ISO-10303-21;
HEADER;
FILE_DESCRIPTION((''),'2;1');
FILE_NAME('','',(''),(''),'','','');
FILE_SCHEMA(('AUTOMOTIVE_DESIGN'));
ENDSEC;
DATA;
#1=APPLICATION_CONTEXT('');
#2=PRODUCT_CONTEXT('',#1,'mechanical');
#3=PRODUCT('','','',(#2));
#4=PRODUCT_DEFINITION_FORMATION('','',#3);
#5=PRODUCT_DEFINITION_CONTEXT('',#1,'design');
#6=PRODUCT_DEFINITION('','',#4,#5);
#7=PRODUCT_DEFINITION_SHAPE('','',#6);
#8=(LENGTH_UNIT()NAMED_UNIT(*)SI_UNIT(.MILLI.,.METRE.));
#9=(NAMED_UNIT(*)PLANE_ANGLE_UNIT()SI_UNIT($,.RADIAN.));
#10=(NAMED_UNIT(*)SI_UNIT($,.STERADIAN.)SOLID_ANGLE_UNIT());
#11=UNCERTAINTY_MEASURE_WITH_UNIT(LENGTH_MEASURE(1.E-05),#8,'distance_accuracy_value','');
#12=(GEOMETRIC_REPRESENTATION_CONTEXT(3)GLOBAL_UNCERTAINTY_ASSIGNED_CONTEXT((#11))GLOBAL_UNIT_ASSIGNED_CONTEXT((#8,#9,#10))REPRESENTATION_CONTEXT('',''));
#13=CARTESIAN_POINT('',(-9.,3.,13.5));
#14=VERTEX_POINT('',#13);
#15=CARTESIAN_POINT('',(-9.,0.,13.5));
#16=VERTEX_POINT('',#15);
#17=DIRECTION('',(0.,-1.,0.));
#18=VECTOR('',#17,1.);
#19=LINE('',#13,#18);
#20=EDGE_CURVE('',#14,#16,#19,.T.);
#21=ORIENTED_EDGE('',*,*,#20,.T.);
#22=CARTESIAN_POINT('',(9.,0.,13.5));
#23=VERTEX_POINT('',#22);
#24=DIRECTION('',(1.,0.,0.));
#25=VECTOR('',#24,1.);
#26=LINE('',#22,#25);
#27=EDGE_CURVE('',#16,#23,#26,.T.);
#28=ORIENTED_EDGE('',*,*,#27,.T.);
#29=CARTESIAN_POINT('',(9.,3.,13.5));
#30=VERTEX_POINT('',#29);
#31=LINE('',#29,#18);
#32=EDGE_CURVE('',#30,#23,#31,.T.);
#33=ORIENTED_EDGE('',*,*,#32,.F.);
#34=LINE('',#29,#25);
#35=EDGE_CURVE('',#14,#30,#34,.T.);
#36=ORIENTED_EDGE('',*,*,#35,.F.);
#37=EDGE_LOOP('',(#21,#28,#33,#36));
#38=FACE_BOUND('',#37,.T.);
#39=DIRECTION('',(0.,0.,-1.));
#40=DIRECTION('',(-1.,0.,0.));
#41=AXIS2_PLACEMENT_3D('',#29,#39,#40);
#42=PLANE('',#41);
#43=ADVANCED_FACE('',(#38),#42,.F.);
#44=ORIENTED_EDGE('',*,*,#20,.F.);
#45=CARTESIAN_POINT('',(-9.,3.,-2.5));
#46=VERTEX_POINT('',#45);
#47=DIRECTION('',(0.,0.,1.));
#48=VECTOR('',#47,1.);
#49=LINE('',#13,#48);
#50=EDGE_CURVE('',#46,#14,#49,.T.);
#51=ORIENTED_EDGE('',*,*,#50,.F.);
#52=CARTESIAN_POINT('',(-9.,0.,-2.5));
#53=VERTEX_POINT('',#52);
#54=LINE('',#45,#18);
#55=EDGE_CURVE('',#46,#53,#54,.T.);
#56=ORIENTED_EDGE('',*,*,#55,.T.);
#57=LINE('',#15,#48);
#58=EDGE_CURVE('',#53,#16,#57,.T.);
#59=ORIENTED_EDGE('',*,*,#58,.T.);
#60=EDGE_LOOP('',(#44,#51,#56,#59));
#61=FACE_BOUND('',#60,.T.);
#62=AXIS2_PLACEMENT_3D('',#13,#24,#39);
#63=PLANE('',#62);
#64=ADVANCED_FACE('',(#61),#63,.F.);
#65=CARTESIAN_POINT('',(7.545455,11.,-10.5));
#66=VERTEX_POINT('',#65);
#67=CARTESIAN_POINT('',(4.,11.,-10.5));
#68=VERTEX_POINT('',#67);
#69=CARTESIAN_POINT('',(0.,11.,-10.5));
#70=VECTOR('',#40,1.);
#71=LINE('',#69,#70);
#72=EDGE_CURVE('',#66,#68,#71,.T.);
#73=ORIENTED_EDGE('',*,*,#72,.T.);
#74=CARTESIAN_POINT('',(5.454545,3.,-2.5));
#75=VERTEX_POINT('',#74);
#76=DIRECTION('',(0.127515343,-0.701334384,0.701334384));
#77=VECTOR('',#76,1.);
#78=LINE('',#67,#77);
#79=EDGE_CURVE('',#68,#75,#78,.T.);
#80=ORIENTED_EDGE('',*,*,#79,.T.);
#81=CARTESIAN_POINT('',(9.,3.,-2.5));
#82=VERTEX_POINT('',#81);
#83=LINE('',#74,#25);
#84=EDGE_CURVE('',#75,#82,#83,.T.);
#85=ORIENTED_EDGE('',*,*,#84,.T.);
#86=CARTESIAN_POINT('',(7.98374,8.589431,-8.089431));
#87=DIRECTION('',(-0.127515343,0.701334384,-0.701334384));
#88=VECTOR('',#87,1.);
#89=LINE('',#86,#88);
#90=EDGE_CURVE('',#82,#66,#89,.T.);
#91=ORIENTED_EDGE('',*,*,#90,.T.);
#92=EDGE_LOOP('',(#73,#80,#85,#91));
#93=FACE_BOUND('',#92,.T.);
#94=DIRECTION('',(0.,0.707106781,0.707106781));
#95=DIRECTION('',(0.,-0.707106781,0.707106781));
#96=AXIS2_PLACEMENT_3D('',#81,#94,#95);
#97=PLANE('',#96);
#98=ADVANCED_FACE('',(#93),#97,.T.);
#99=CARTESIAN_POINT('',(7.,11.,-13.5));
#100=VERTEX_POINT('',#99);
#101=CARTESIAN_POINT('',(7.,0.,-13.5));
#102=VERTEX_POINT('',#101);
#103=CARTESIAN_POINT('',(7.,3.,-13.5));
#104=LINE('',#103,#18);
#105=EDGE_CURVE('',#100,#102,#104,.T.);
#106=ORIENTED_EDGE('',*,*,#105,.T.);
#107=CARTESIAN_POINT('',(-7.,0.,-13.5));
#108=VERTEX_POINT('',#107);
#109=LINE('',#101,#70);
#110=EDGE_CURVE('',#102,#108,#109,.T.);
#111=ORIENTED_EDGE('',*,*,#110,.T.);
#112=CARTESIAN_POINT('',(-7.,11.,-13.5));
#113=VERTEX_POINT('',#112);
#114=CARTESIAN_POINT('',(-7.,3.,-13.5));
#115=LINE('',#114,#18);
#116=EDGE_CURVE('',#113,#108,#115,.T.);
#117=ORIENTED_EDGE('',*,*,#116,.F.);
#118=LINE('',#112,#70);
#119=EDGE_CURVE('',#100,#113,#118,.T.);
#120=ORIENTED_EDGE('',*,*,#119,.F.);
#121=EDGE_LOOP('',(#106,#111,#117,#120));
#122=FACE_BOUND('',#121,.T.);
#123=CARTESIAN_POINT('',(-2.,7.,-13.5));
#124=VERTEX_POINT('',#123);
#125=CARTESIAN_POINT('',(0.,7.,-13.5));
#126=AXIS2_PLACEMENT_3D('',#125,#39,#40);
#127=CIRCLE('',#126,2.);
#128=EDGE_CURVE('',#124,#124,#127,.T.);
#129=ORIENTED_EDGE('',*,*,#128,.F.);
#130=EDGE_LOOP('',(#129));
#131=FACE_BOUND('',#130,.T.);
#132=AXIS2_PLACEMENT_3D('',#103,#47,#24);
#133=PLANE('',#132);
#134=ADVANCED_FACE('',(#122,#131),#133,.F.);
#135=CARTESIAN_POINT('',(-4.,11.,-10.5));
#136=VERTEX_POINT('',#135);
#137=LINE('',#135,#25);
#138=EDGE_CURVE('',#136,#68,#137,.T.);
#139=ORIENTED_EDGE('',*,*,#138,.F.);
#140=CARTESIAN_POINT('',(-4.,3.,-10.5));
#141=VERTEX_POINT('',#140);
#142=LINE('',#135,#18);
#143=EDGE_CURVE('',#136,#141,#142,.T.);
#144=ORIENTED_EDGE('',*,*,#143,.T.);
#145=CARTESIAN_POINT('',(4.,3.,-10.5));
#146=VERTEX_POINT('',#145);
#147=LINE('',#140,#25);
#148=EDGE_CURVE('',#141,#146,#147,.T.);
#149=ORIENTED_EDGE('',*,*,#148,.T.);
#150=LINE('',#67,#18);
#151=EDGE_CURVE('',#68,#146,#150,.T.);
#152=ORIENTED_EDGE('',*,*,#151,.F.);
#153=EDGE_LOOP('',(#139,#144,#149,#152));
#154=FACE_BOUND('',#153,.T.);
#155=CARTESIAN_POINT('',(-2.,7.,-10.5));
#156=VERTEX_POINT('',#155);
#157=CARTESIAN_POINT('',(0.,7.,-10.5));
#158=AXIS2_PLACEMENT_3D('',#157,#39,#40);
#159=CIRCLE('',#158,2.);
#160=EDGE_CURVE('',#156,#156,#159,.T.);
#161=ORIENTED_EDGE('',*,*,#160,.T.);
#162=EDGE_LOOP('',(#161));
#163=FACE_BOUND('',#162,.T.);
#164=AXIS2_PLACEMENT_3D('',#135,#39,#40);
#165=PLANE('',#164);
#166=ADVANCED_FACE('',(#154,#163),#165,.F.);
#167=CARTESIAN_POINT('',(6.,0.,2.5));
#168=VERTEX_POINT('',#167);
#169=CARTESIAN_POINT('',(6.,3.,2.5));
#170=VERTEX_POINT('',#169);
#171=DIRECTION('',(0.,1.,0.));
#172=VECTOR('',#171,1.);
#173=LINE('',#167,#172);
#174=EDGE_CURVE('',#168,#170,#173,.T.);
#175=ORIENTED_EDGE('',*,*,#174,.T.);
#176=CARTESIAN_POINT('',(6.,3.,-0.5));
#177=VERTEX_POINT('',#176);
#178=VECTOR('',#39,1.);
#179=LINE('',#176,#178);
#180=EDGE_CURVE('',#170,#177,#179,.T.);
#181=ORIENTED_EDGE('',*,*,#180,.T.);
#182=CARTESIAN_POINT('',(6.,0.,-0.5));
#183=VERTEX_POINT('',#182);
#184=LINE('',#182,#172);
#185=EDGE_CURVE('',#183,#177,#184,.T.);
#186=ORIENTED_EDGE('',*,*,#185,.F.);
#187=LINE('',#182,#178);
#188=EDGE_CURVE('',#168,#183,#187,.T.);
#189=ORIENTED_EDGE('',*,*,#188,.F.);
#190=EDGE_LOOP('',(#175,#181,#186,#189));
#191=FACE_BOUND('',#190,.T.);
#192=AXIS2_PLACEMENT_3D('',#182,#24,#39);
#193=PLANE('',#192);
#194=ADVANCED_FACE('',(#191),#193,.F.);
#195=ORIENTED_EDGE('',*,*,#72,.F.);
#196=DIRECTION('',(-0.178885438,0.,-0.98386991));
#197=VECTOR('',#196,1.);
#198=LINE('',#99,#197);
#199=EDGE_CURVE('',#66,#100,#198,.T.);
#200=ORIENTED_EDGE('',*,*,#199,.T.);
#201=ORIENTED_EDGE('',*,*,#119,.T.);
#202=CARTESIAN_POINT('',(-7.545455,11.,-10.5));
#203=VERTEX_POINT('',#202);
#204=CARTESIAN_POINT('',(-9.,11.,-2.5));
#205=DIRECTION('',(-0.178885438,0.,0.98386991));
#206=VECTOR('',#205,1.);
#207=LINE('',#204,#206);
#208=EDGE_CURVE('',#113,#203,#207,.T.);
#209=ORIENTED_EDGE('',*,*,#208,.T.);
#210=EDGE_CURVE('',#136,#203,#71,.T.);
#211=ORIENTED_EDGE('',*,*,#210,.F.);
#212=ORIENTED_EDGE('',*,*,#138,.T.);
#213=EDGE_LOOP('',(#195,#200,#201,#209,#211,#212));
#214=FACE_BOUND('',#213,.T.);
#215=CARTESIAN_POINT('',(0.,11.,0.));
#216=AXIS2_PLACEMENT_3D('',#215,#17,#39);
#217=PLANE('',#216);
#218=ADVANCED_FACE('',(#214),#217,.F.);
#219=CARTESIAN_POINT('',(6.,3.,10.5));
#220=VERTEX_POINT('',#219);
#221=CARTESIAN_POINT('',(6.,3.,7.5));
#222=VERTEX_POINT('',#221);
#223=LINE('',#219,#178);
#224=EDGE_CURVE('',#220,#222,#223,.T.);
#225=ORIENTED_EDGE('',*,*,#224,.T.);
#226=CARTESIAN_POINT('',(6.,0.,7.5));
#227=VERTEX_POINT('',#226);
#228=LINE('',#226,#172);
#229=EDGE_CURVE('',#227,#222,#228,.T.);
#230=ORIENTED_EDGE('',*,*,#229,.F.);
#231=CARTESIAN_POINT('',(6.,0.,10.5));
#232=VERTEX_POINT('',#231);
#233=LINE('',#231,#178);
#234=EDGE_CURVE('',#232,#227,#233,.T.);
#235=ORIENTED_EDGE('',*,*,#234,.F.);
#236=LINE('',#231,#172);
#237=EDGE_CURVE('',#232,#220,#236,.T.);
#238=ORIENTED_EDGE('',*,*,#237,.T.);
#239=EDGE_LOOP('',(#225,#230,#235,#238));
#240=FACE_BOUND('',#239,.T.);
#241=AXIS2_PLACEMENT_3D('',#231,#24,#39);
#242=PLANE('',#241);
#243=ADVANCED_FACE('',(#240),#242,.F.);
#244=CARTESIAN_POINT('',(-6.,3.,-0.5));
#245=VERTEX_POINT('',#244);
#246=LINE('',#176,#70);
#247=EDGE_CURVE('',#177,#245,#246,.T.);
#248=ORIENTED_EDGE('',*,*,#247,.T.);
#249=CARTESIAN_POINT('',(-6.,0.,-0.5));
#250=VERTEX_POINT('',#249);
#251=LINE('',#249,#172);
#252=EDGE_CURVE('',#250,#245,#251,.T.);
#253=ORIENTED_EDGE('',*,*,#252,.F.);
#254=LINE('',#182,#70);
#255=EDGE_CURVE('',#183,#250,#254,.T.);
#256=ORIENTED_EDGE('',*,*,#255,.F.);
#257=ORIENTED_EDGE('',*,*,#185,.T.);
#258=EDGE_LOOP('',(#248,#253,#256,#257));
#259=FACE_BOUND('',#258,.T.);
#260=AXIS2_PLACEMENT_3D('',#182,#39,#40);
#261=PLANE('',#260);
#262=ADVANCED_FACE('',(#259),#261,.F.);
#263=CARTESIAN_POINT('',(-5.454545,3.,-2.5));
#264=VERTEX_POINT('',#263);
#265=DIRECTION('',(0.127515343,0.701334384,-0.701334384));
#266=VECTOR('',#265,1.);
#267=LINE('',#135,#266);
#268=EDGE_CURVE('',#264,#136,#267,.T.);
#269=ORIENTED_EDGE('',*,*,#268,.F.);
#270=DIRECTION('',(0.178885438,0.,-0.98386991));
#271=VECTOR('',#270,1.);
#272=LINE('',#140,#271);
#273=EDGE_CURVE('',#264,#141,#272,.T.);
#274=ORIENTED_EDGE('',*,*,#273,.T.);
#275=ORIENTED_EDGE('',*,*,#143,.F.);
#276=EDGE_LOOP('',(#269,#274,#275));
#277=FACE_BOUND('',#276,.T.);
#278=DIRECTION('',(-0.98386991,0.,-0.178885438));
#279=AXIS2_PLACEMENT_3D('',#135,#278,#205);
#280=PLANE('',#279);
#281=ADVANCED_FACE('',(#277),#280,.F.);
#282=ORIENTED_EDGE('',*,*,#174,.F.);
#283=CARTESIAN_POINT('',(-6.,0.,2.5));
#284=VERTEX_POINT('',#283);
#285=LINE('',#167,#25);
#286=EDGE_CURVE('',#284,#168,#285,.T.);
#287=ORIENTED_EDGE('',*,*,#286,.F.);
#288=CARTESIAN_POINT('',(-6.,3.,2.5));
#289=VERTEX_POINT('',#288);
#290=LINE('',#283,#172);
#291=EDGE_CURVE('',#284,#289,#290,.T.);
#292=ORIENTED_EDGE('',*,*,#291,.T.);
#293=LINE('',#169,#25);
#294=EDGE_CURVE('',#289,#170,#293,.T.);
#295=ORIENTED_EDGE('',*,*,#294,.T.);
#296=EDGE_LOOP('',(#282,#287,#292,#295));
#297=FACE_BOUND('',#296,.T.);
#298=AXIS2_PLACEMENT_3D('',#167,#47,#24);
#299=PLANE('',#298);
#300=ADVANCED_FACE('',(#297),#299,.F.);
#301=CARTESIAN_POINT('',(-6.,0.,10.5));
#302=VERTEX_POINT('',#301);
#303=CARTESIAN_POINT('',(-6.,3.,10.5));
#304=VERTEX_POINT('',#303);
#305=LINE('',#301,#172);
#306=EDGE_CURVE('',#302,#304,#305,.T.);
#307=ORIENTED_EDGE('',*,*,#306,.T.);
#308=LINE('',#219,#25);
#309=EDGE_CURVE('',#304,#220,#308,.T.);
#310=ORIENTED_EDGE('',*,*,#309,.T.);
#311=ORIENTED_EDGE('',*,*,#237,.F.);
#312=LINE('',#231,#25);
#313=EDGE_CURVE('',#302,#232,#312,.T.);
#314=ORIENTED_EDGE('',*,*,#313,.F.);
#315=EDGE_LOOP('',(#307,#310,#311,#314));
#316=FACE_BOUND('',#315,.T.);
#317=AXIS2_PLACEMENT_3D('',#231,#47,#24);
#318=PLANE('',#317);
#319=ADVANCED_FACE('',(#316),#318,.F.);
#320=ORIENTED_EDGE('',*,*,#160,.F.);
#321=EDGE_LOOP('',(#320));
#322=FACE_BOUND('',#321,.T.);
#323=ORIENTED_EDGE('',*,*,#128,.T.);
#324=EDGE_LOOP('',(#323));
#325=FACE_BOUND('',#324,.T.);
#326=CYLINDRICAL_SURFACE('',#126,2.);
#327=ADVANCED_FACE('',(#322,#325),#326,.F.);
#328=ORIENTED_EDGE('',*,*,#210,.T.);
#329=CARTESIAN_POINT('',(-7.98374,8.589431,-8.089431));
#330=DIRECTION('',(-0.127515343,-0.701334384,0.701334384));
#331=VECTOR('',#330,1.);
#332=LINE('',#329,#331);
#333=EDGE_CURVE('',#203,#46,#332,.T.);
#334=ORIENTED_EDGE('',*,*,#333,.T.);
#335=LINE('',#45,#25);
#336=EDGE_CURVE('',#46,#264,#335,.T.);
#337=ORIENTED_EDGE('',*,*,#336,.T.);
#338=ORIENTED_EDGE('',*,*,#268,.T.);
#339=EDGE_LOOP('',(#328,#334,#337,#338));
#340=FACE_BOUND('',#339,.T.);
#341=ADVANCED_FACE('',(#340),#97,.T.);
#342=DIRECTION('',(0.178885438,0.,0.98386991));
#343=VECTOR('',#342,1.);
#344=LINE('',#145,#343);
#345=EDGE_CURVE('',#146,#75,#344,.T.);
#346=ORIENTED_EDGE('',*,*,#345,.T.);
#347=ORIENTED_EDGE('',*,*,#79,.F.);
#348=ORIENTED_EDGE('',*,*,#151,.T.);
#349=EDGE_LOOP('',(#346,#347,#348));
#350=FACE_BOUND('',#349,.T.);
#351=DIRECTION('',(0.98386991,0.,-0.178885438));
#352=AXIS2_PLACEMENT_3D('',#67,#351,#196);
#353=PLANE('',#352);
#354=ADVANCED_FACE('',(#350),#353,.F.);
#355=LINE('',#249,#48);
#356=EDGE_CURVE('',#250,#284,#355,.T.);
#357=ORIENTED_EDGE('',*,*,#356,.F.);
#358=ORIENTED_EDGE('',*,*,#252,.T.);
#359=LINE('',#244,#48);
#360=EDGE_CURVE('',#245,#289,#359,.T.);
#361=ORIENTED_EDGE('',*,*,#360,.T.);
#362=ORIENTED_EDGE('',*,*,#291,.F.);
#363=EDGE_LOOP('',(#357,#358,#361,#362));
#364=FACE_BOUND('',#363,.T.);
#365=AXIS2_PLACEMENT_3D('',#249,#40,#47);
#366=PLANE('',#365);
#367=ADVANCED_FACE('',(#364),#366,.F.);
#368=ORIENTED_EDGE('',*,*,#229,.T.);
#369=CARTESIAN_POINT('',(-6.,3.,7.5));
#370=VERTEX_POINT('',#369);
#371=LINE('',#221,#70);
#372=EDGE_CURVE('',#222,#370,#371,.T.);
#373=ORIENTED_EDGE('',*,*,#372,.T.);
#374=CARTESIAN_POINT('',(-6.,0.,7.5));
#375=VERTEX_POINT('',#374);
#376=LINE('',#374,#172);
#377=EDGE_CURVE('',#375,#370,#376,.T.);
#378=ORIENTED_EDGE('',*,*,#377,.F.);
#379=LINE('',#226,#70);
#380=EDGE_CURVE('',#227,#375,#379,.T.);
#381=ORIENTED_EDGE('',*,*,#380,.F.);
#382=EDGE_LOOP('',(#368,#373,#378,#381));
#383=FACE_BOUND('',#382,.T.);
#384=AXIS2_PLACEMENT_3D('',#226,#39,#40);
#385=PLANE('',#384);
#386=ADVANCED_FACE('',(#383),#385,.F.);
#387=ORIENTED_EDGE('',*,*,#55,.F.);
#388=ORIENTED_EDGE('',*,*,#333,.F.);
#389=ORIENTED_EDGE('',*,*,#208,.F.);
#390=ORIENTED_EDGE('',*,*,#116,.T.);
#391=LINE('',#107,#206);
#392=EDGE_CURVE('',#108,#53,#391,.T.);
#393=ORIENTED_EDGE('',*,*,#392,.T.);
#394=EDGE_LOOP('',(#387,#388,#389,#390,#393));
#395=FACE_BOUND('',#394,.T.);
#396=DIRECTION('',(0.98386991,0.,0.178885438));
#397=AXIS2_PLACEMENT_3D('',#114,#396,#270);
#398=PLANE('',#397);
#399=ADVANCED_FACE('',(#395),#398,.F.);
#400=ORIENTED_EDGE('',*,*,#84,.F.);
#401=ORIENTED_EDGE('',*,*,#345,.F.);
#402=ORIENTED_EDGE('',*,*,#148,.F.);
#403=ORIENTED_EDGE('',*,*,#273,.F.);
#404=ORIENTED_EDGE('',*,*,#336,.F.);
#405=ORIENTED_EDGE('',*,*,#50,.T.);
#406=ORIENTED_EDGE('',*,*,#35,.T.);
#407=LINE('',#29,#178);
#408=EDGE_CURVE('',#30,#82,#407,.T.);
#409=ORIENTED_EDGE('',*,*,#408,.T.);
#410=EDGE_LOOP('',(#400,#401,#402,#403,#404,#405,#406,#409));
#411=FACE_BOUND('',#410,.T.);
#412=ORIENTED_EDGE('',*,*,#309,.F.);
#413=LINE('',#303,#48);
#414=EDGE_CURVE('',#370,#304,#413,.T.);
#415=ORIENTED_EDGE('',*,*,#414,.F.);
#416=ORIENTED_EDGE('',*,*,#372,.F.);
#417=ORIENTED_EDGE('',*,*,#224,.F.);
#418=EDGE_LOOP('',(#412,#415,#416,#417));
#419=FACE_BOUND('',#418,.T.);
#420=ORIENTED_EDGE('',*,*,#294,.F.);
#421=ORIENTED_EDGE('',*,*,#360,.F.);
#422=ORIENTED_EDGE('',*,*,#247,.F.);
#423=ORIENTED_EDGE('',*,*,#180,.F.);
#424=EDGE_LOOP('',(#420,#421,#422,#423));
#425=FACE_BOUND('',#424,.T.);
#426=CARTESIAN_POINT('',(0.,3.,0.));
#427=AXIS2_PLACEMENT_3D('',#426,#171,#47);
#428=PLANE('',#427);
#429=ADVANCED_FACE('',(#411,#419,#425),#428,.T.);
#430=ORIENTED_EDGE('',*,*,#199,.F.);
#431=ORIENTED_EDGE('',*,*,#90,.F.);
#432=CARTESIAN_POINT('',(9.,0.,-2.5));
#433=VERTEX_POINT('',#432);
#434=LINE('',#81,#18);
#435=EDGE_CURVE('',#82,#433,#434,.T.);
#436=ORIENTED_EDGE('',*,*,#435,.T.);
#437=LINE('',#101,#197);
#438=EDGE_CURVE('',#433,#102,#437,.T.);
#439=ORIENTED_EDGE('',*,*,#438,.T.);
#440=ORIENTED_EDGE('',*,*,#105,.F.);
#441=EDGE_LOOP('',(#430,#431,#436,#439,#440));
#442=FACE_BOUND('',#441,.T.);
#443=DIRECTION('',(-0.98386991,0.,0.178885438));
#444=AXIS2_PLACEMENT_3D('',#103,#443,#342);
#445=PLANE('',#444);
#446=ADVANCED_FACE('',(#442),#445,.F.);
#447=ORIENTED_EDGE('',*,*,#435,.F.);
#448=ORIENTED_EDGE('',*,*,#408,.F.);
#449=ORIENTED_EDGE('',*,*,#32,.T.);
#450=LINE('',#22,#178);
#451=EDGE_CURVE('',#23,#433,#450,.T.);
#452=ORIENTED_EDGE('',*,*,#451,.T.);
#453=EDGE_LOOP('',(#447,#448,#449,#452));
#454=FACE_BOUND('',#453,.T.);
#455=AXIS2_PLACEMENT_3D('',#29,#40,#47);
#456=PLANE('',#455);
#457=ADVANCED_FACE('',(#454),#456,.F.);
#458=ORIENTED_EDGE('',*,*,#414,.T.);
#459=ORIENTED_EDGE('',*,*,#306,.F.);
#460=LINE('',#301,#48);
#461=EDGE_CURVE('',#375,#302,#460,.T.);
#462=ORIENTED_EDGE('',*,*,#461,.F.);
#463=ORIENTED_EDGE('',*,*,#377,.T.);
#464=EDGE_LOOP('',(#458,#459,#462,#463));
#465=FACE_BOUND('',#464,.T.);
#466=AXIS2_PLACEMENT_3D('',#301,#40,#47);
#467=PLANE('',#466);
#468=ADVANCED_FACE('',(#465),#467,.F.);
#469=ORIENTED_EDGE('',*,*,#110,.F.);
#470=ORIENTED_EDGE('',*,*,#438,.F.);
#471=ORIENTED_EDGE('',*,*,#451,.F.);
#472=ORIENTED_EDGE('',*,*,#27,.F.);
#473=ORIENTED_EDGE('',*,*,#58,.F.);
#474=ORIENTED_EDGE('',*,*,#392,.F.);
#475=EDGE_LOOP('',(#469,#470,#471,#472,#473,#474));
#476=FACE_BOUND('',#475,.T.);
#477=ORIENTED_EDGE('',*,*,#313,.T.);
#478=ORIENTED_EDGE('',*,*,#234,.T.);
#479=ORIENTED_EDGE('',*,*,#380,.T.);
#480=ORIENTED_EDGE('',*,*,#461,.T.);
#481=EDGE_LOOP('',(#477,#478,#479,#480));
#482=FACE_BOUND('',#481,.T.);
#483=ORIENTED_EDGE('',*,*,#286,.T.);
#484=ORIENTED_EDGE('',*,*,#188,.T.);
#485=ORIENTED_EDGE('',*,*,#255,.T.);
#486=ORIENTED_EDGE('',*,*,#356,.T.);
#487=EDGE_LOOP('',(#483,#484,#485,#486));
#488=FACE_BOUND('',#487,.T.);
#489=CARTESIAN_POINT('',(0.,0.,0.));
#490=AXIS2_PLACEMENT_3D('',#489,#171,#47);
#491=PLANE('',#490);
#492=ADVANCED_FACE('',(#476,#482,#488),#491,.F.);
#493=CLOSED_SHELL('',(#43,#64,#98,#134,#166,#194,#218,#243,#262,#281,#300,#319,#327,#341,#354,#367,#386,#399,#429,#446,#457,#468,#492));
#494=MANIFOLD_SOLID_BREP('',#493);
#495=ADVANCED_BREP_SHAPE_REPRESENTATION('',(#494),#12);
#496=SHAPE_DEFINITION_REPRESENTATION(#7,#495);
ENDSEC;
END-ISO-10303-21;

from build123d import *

# Parameters (mm, degrees)
AUFSATZ_LINEAR_AUSTRAGEN1_DEPTH = 3
AUFSATZ_LINEAR_AUSTRAGEN2_DEPTH = 8
SCHNITT_LINEAR_AUSTRAGEN1_DEPTH = 19
F_4_0_4_DURCHMESSER_BOHRUNG1_D  = 4
SKIZZE7_W                       = 12
SKIZZE7_H                       = 3
SCHNITT_LINEAR_AUSTRAGEN2_DEPTH = 4


with BuildPart() as part:
    # Skizze1 → Aufsatz-Linear austragen1 (new body)
    with BuildSketch(Plane(origin=(0, 0, 0), x_dir=(1, 0, 0), z_dir=(0, 1, 0))):
        Polygon((9, -13.5), (-9, -13.5), (-9, 2.5), (-7, 13.5), (7, 13.5), (9, 2.5), align=None)
    extrude(amount=AUFSATZ_LINEAR_AUSTRAGEN1_DEPTH)

    # Skizze2 → Aufsatz-Linear austragen2 (add)
    with BuildSketch(Plane(origin=(0, 3, 0), x_dir=(1, 0, 0), z_dir=(0, 1, 0))):
        Polygon((-9, 2.5), (-7, 13.5), (7, 13.5), (9, 2.5), (5.454545455, 2.5), (4, 10.5), (-4, 10.5), (-5.454545455, 2.5), align=None)
    extrude(amount=AUFSATZ_LINEAR_AUSTRAGEN2_DEPTH)

    # Skizze3 → Schnitt-Linear austragen1 (cut, through all)
    with BuildSketch(Plane.ZY.offset(9)):
        Polygon((-2.5, 3), (-10.5, 11), (-10.5, 11.548475308), (-1.609095569, 11.548475308), (-1.609095569, 3.67540056), align=None)
    extrude(amount=-SCHNITT_LINEAR_AUSTRAGEN1_DEPTH, mode=Mode.SUBTRACT)

    # Ø4.0 (4) Durchmesser Bohrung1 (through all)
    with Locations(Plane(origin=(0, 0, -13.5), x_dir=(-1, 0, 0), z_dir=(0, 0, -1))):
        with Locations((0, 7)):
            Hole(F_4_0_4_DURCHMESSER_BOHRUNG1_D / 2)

    # Skizze7 → Schnitt-Linear austragen2 (cut, through all)
    with BuildSketch(Plane(origin=(0, 3, 0), x_dir=(1, 0, 0), z_dir=(0, 1, 0))):
        with Locations((0, -9)):
            Rectangle(SKIZZE7_W, SKIZZE7_H)
        with Locations((0, -1)):
            Rectangle(SKIZZE7_W, SKIZZE7_H)
    extrude(amount=-SCHNITT_LINEAR_AUSTRAGEN2_DEPTH, mode=Mode.SUBTRACT)


solid = part.part
